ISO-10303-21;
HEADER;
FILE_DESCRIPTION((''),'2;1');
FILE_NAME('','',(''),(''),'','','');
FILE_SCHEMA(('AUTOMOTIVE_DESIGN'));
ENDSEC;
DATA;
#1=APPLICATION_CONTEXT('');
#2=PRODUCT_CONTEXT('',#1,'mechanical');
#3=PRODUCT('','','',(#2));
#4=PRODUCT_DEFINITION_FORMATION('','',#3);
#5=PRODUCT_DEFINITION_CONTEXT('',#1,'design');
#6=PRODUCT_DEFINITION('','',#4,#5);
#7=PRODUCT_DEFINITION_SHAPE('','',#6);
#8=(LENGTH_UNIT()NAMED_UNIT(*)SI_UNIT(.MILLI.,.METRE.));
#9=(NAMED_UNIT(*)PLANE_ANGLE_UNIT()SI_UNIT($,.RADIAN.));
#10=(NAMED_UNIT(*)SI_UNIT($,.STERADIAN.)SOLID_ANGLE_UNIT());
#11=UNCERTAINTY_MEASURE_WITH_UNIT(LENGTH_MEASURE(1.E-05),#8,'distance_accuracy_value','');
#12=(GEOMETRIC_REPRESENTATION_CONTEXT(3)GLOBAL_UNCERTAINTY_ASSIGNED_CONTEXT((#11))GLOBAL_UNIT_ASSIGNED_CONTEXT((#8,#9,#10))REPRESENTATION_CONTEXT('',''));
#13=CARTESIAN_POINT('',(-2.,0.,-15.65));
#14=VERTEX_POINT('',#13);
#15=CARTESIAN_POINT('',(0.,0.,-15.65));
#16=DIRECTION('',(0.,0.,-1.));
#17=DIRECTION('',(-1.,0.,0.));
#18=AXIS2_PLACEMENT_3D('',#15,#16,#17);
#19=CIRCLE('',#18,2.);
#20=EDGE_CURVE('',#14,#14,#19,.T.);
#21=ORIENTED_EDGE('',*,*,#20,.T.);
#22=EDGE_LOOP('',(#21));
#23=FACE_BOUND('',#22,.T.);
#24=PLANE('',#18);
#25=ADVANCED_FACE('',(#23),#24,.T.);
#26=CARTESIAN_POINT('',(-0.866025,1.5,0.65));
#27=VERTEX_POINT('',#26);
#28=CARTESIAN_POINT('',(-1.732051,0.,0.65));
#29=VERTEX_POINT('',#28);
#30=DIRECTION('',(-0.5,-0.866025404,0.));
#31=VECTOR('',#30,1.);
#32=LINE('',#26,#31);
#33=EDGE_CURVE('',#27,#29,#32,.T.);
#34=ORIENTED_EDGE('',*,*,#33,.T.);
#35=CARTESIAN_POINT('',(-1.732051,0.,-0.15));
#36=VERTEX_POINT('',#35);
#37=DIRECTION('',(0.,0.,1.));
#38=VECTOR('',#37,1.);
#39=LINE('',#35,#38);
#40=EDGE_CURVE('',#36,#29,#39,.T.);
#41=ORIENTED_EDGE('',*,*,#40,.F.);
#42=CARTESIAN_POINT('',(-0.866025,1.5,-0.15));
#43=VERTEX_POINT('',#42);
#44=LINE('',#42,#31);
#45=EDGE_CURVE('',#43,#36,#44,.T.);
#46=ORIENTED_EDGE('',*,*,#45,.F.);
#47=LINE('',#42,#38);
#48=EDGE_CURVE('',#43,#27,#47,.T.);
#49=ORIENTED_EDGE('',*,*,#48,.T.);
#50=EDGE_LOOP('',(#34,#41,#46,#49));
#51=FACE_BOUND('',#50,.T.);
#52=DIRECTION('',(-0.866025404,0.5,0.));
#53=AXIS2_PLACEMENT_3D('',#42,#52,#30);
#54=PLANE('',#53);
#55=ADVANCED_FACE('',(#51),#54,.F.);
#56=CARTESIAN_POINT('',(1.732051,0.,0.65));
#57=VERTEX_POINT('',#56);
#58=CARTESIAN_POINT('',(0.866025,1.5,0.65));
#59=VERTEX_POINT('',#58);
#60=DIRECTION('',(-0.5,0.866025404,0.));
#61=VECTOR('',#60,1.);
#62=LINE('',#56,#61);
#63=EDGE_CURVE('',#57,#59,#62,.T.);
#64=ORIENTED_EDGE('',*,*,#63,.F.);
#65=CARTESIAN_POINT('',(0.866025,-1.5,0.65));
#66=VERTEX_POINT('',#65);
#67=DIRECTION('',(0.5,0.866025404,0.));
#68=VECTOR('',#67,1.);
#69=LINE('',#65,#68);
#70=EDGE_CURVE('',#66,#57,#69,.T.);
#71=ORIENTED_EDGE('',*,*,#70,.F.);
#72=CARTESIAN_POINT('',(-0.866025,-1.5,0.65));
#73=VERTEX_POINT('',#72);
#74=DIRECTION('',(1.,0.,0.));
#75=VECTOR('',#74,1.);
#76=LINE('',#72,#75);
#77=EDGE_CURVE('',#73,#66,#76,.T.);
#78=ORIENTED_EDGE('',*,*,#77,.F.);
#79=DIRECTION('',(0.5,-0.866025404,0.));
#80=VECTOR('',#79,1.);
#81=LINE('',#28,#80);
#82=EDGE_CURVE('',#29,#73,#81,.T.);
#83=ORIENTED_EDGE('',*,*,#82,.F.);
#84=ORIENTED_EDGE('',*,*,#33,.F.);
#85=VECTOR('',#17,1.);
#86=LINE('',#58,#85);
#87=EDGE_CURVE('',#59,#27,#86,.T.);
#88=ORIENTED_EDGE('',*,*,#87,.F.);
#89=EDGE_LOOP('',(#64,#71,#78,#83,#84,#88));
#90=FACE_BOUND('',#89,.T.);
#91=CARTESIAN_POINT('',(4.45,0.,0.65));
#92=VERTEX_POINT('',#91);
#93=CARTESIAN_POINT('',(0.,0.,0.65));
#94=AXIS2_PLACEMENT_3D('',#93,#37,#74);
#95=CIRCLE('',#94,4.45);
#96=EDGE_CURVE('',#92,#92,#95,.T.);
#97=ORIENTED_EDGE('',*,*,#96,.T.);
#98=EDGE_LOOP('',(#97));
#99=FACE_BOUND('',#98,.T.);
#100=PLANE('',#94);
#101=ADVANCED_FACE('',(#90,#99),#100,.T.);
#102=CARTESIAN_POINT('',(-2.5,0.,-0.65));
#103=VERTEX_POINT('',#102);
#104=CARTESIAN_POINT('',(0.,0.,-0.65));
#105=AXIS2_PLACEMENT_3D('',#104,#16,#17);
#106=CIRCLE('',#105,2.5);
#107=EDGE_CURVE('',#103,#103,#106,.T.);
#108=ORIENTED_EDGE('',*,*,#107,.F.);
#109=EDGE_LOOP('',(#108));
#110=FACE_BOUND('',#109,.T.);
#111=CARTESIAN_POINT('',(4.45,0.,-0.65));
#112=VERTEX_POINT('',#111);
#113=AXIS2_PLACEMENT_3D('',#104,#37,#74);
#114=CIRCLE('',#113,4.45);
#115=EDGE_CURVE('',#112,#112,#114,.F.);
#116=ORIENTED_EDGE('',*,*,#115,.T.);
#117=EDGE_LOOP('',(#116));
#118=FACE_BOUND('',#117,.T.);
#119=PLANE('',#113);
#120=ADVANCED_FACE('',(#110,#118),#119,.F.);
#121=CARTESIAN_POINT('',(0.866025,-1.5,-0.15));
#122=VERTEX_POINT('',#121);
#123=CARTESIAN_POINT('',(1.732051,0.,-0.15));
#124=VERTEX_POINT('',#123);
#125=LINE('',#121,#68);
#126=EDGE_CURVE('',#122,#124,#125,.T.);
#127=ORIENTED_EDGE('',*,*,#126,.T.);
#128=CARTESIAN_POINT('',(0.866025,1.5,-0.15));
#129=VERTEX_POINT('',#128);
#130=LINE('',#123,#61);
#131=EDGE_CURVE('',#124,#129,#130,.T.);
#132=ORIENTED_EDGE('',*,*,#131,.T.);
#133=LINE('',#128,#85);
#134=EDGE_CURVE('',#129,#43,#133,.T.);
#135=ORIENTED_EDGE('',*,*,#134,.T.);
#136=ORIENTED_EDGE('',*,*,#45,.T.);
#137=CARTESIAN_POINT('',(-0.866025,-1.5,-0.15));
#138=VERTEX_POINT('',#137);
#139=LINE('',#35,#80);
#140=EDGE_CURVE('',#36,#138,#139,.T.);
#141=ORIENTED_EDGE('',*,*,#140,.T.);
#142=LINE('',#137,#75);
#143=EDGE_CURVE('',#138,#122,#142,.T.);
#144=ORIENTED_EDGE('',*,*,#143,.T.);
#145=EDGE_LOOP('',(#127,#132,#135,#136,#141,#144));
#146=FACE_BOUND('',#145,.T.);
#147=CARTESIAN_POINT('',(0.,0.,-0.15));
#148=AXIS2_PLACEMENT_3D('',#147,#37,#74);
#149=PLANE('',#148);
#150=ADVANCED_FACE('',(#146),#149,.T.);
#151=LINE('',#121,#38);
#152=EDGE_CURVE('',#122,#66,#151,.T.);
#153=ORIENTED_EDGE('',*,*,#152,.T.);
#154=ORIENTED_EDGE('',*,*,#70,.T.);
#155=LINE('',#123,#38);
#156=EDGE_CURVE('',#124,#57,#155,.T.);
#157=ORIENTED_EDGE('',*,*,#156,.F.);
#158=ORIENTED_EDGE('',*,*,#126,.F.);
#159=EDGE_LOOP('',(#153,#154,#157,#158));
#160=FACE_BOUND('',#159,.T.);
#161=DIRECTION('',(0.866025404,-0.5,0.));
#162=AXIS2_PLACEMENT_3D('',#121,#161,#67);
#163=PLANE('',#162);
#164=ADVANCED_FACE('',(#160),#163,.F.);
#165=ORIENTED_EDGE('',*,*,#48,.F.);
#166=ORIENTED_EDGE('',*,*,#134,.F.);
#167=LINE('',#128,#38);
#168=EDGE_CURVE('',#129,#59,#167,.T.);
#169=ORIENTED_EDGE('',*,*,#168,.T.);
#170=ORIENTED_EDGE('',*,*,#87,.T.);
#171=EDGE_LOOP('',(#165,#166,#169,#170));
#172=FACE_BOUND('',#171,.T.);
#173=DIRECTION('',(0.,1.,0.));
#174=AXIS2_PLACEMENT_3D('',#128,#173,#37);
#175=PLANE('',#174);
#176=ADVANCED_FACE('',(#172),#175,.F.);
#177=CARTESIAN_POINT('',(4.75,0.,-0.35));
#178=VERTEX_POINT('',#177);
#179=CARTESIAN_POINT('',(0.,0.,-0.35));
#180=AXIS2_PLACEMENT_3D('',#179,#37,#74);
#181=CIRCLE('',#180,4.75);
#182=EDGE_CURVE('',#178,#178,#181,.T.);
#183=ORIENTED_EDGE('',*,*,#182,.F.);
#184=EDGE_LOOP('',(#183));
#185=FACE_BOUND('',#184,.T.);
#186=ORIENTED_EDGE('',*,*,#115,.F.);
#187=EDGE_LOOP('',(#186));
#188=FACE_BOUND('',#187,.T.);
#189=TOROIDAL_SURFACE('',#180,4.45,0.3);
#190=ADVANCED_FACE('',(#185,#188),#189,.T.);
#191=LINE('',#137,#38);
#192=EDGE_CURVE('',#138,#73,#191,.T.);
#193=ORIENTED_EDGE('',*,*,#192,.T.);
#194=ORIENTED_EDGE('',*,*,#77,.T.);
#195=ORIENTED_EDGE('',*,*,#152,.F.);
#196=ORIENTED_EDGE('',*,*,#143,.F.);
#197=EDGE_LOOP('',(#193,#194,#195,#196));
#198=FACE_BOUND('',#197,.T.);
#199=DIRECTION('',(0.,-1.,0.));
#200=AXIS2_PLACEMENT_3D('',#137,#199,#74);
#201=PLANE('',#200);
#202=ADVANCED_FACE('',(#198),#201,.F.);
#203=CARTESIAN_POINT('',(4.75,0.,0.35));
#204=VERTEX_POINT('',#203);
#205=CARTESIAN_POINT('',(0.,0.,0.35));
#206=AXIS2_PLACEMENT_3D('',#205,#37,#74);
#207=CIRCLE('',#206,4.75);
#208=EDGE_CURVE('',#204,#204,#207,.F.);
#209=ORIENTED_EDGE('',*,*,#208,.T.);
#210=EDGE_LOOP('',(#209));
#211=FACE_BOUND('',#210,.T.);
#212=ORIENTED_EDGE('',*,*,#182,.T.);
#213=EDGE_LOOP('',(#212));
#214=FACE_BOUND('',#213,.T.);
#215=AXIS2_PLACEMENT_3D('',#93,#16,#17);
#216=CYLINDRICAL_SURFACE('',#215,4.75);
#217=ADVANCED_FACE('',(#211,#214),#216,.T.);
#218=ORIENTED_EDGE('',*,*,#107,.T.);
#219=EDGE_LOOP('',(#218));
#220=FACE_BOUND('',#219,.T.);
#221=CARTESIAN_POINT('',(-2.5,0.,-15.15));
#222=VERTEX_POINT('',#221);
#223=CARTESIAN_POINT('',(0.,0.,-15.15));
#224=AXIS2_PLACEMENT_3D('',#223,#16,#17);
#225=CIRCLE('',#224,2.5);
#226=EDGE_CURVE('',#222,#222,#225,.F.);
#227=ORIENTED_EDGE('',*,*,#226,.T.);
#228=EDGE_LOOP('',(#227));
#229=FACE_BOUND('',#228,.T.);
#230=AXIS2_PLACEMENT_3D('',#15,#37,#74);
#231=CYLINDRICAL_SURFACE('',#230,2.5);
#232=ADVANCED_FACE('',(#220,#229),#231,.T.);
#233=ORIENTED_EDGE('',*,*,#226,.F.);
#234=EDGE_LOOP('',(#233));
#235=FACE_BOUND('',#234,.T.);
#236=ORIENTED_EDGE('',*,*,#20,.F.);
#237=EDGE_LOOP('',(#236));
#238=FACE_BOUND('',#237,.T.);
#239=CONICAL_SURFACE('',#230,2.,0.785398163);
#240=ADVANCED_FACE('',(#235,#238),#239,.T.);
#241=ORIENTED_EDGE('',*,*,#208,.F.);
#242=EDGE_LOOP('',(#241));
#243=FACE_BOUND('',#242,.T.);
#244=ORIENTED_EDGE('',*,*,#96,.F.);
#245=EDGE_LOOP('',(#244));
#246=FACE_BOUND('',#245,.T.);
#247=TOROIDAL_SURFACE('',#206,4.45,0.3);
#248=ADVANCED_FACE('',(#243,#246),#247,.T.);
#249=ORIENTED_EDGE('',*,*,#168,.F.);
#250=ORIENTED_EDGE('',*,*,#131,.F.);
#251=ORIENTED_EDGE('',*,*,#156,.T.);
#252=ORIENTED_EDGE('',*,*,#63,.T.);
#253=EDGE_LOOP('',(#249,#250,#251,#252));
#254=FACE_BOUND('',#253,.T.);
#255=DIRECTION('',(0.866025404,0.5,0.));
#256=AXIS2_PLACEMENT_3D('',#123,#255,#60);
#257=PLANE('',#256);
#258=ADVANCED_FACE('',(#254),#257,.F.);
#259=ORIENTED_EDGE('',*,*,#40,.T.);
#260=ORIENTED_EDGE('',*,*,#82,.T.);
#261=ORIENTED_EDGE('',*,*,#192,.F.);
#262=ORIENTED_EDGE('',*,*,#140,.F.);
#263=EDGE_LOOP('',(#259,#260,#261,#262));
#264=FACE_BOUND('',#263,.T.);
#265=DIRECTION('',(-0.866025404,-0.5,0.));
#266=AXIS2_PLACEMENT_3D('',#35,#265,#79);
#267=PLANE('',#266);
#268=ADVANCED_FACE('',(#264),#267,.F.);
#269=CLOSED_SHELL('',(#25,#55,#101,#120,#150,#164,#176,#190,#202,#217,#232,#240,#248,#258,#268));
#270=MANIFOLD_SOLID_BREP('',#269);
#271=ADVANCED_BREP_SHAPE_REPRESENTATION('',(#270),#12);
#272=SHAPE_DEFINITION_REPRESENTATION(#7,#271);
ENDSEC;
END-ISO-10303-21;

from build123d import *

# Parameters (mm, degrees)
SKETCH_1_R          = 4.75
EXTRUDE_1_DEPTH     = 0.65
SKETCH_2_R          = 2.5
EXTRUDE_2_DEPTH     = 15
CHAMFER_1_SIZE      = 0.5
CUT_EXTRUDE_1_DEPTH = 0.8
FILLET_2_R          = 0.3


with BuildPart() as part:
    # 草图1 → 凸台-拉伸1 (new body, symmetric)
    with BuildSketch(Plane.XY):
        Circle(SKETCH_1_R)
    extrude(amount=EXTRUDE_1_DEPTH, both=True)

    # 草图2 → 凸台-拉伸2 (add)
    with BuildSketch(Plane(origin=(0, 0, -0.65), x_dir=(-1, 0, 0), z_dir=(0, 0, -1))):
        Circle(SKETCH_2_R)
    extrude(amount=EXTRUDE_2_DEPTH)

    # 倒角1
    chamfer_1_edges = [part.edges().sort_by_distance(p)[0] for p in [
        (2.5, 0, -15.65),
    ]]
    chamfer(chamfer_1_edges, length=CHAMFER_1_SIZE)

    # 草图3 → 切除-拉伸1 (cut)
    with BuildSketch(Plane.XY.offset(0.65)):
        Polygon((1.732050808, 0), (0.866025404, 1.5), (-0.866025404, 1.5), (-1.732050808, 0), (-0.866025404, -1.5), (0.866025404, -1.5), align=None)
    extrude(amount=-CUT_EXTRUDE_1_DEPTH, mode=Mode.SUBTRACT)

    # 圆角2
    fillet_2_edges = [part.edges().sort_by_distance(p)[0] for p in [
        (-4.75, 0, -0.65),
        (-4.75, 0, 0.65),
    ]]
    fillet(fillet_2_edges, radius=FILLET_2_R)


solid = part.part
